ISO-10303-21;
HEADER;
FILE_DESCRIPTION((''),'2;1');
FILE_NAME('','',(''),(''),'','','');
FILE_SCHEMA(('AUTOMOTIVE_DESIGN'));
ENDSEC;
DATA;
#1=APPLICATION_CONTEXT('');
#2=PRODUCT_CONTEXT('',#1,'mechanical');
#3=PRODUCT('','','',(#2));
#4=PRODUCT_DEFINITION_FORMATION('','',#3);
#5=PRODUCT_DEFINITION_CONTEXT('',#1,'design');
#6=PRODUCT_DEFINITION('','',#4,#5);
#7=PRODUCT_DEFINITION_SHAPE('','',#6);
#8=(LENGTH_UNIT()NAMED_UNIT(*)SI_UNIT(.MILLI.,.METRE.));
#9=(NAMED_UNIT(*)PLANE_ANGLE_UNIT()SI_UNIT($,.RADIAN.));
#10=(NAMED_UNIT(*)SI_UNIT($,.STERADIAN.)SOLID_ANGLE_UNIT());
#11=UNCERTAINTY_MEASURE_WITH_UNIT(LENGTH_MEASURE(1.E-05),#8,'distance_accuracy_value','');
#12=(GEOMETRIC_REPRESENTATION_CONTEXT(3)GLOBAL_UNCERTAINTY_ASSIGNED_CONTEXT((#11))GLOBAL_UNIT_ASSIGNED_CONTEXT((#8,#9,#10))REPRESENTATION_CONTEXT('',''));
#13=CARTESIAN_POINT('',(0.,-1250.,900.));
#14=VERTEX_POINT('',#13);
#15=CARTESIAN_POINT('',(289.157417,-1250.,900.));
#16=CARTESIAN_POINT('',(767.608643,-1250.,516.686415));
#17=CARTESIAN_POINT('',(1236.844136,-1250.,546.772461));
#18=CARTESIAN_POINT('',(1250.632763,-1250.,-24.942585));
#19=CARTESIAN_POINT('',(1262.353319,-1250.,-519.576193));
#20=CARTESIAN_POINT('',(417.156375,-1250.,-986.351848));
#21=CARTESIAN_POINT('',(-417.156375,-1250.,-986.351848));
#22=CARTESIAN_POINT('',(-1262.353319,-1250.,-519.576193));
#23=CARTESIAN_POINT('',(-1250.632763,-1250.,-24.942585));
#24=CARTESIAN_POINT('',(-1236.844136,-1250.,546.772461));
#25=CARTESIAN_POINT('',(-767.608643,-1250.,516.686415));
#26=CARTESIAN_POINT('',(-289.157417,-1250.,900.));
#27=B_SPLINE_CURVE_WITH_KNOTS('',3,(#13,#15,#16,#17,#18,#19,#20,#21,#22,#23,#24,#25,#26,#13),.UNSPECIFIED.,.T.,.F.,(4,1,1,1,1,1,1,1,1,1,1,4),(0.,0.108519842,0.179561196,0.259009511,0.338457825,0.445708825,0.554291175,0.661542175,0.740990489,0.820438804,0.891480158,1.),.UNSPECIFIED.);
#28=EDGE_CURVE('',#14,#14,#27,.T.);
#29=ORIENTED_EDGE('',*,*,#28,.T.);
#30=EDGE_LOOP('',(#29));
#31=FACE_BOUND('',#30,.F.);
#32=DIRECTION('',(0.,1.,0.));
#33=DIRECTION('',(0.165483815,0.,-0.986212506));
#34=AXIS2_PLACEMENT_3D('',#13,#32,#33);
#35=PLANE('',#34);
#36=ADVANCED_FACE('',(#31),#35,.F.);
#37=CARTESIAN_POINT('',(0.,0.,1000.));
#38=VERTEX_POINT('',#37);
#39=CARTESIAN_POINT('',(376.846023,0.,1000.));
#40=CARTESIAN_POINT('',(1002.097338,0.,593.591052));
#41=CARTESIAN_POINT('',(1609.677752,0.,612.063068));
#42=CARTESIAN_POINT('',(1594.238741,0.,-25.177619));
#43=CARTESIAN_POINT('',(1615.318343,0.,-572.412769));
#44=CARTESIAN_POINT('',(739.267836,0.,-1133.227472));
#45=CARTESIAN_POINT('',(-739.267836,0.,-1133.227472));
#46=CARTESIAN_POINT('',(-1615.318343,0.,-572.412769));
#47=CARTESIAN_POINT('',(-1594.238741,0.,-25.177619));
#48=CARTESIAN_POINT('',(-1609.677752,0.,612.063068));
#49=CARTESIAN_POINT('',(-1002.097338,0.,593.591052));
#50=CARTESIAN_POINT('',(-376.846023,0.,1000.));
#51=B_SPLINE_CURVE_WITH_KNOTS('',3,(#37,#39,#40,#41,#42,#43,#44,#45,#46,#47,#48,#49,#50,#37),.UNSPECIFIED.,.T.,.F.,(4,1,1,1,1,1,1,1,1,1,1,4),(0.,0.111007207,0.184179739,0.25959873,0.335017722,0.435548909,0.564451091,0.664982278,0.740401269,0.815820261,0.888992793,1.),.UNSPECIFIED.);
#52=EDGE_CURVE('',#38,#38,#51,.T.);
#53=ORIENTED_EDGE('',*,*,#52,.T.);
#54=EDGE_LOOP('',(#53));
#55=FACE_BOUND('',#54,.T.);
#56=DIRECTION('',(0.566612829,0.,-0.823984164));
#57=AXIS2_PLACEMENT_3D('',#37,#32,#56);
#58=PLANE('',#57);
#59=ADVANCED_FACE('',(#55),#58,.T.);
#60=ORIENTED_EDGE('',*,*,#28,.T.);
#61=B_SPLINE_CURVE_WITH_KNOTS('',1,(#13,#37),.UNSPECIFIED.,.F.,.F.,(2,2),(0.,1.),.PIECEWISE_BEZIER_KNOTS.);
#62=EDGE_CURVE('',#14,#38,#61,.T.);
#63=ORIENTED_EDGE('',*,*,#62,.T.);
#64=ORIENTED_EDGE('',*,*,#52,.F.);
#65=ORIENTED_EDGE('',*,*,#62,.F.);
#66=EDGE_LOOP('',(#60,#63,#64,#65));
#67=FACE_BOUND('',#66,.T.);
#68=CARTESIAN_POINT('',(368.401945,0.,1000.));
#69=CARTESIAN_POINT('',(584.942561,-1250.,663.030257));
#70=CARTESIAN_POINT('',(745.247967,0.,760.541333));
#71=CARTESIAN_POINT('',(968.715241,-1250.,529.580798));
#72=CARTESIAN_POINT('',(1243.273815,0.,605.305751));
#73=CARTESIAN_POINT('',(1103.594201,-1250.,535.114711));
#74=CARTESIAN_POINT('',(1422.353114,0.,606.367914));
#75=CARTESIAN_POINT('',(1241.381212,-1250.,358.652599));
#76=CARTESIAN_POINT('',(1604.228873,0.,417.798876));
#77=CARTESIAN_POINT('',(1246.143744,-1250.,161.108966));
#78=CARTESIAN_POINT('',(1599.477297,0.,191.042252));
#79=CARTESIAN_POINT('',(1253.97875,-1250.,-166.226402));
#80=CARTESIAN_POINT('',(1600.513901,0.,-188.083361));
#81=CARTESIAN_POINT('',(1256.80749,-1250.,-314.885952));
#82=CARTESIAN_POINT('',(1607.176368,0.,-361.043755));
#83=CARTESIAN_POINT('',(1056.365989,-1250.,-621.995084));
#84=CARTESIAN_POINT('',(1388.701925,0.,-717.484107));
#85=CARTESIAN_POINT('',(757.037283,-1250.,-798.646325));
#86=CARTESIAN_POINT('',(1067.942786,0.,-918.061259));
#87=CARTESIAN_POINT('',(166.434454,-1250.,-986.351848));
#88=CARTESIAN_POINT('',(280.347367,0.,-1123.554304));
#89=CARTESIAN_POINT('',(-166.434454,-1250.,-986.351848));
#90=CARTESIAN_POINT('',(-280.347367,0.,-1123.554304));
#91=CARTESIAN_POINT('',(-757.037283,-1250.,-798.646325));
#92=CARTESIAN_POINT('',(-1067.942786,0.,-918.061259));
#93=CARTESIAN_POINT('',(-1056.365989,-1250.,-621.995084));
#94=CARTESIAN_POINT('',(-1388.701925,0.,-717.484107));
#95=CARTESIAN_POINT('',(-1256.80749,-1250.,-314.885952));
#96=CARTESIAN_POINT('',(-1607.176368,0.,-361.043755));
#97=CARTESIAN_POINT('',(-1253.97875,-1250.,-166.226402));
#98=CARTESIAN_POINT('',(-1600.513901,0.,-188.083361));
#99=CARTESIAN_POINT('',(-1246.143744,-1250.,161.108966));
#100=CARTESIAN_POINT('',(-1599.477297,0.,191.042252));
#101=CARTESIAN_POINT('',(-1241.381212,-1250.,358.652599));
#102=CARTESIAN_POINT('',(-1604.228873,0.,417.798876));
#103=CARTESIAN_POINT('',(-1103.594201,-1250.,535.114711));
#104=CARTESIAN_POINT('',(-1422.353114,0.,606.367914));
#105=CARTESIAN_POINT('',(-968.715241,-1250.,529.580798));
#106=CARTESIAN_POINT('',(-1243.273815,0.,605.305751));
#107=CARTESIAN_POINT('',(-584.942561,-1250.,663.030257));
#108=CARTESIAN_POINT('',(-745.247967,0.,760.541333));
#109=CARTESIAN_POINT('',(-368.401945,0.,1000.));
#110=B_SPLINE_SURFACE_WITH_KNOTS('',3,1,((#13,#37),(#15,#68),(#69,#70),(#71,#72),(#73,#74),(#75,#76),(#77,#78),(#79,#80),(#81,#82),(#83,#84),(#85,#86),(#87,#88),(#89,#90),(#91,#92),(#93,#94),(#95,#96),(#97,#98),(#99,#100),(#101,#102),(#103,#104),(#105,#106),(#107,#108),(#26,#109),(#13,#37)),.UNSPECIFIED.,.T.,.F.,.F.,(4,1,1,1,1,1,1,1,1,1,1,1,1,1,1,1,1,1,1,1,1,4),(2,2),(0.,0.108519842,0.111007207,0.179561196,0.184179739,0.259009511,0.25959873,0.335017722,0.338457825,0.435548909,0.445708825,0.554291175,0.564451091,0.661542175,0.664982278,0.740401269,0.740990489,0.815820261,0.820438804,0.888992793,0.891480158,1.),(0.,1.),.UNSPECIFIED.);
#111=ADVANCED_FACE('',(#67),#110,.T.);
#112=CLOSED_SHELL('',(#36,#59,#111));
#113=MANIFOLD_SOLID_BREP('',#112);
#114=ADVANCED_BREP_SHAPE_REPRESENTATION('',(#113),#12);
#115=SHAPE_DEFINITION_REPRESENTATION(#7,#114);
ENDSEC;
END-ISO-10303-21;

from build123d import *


with BuildPart() as f3:
    # F2 (on offset) → F3 section 0
    with BuildSketch(Plane.XZ.offset(1250)):
        with BuildLine():
            add(Edge.make_bspline(
                [(0, 900), (289.1574166069, 900), (767.6086428319, 516.6864151074), (1236.8441362464, 546.772460691), (1250.6327630121, -24.9425853141), (1262.3533186243, -519.5761928102), (417.1563746733, -986.3518475518), (-417.1563746733, -986.3518475518), (-1262.3533186243, -519.5761928102), (-1250.6327630121, -24.9425853141), (-1236.8441362464, 546.772460691), (-767.6086428319, 516.6864151074), (-289.1574166069, 900), (0, 900)],
                knots=[0, 0, 0, 0, 0.1085198423, 0.1795611962, 0.2590095107, 0.3384578253, 0.4457088254, 0.5542911746, 0.6615421747, 0.7409904893, 0.8204388038, 0.8914801577, 1, 1, 1, 1], degree=3))
        make_face()
    # F0 (on Front) → F3 section 1
    with BuildSketch(Plane.XZ):
        with BuildLine():
            add(Edge.make_bspline(
                [(0, 1000), (376.8460228226, 1000), (1002.0973382738, 593.5910524979), (1609.6777517204, 612.0630675093), (1594.2387411314, -25.1776190672), (1615.3183428224, -572.4127692125), (739.2678360992, -1133.2274720625), (-739.2678360992, -1133.2274720625), (-1615.3183428224, -572.4127692125), (-1594.2387411314, -25.1776190672), (-1609.6777517204, 612.0630675093), (-1002.0973382738, 593.5910524979), (-376.8460228226, 1000), (0, 1000)],
                knots=[0, 0, 0, 0, 0.1110072071, 0.1841797394, 0.2595987305, 0.3350177217, 0.4355489087, 0.5644510913, 0.6649822783, 0.7404012695, 0.8158202606, 0.8889927929, 1, 1, 1, 1], degree=3))
        make_face()
    loft()


solid = f3.part
